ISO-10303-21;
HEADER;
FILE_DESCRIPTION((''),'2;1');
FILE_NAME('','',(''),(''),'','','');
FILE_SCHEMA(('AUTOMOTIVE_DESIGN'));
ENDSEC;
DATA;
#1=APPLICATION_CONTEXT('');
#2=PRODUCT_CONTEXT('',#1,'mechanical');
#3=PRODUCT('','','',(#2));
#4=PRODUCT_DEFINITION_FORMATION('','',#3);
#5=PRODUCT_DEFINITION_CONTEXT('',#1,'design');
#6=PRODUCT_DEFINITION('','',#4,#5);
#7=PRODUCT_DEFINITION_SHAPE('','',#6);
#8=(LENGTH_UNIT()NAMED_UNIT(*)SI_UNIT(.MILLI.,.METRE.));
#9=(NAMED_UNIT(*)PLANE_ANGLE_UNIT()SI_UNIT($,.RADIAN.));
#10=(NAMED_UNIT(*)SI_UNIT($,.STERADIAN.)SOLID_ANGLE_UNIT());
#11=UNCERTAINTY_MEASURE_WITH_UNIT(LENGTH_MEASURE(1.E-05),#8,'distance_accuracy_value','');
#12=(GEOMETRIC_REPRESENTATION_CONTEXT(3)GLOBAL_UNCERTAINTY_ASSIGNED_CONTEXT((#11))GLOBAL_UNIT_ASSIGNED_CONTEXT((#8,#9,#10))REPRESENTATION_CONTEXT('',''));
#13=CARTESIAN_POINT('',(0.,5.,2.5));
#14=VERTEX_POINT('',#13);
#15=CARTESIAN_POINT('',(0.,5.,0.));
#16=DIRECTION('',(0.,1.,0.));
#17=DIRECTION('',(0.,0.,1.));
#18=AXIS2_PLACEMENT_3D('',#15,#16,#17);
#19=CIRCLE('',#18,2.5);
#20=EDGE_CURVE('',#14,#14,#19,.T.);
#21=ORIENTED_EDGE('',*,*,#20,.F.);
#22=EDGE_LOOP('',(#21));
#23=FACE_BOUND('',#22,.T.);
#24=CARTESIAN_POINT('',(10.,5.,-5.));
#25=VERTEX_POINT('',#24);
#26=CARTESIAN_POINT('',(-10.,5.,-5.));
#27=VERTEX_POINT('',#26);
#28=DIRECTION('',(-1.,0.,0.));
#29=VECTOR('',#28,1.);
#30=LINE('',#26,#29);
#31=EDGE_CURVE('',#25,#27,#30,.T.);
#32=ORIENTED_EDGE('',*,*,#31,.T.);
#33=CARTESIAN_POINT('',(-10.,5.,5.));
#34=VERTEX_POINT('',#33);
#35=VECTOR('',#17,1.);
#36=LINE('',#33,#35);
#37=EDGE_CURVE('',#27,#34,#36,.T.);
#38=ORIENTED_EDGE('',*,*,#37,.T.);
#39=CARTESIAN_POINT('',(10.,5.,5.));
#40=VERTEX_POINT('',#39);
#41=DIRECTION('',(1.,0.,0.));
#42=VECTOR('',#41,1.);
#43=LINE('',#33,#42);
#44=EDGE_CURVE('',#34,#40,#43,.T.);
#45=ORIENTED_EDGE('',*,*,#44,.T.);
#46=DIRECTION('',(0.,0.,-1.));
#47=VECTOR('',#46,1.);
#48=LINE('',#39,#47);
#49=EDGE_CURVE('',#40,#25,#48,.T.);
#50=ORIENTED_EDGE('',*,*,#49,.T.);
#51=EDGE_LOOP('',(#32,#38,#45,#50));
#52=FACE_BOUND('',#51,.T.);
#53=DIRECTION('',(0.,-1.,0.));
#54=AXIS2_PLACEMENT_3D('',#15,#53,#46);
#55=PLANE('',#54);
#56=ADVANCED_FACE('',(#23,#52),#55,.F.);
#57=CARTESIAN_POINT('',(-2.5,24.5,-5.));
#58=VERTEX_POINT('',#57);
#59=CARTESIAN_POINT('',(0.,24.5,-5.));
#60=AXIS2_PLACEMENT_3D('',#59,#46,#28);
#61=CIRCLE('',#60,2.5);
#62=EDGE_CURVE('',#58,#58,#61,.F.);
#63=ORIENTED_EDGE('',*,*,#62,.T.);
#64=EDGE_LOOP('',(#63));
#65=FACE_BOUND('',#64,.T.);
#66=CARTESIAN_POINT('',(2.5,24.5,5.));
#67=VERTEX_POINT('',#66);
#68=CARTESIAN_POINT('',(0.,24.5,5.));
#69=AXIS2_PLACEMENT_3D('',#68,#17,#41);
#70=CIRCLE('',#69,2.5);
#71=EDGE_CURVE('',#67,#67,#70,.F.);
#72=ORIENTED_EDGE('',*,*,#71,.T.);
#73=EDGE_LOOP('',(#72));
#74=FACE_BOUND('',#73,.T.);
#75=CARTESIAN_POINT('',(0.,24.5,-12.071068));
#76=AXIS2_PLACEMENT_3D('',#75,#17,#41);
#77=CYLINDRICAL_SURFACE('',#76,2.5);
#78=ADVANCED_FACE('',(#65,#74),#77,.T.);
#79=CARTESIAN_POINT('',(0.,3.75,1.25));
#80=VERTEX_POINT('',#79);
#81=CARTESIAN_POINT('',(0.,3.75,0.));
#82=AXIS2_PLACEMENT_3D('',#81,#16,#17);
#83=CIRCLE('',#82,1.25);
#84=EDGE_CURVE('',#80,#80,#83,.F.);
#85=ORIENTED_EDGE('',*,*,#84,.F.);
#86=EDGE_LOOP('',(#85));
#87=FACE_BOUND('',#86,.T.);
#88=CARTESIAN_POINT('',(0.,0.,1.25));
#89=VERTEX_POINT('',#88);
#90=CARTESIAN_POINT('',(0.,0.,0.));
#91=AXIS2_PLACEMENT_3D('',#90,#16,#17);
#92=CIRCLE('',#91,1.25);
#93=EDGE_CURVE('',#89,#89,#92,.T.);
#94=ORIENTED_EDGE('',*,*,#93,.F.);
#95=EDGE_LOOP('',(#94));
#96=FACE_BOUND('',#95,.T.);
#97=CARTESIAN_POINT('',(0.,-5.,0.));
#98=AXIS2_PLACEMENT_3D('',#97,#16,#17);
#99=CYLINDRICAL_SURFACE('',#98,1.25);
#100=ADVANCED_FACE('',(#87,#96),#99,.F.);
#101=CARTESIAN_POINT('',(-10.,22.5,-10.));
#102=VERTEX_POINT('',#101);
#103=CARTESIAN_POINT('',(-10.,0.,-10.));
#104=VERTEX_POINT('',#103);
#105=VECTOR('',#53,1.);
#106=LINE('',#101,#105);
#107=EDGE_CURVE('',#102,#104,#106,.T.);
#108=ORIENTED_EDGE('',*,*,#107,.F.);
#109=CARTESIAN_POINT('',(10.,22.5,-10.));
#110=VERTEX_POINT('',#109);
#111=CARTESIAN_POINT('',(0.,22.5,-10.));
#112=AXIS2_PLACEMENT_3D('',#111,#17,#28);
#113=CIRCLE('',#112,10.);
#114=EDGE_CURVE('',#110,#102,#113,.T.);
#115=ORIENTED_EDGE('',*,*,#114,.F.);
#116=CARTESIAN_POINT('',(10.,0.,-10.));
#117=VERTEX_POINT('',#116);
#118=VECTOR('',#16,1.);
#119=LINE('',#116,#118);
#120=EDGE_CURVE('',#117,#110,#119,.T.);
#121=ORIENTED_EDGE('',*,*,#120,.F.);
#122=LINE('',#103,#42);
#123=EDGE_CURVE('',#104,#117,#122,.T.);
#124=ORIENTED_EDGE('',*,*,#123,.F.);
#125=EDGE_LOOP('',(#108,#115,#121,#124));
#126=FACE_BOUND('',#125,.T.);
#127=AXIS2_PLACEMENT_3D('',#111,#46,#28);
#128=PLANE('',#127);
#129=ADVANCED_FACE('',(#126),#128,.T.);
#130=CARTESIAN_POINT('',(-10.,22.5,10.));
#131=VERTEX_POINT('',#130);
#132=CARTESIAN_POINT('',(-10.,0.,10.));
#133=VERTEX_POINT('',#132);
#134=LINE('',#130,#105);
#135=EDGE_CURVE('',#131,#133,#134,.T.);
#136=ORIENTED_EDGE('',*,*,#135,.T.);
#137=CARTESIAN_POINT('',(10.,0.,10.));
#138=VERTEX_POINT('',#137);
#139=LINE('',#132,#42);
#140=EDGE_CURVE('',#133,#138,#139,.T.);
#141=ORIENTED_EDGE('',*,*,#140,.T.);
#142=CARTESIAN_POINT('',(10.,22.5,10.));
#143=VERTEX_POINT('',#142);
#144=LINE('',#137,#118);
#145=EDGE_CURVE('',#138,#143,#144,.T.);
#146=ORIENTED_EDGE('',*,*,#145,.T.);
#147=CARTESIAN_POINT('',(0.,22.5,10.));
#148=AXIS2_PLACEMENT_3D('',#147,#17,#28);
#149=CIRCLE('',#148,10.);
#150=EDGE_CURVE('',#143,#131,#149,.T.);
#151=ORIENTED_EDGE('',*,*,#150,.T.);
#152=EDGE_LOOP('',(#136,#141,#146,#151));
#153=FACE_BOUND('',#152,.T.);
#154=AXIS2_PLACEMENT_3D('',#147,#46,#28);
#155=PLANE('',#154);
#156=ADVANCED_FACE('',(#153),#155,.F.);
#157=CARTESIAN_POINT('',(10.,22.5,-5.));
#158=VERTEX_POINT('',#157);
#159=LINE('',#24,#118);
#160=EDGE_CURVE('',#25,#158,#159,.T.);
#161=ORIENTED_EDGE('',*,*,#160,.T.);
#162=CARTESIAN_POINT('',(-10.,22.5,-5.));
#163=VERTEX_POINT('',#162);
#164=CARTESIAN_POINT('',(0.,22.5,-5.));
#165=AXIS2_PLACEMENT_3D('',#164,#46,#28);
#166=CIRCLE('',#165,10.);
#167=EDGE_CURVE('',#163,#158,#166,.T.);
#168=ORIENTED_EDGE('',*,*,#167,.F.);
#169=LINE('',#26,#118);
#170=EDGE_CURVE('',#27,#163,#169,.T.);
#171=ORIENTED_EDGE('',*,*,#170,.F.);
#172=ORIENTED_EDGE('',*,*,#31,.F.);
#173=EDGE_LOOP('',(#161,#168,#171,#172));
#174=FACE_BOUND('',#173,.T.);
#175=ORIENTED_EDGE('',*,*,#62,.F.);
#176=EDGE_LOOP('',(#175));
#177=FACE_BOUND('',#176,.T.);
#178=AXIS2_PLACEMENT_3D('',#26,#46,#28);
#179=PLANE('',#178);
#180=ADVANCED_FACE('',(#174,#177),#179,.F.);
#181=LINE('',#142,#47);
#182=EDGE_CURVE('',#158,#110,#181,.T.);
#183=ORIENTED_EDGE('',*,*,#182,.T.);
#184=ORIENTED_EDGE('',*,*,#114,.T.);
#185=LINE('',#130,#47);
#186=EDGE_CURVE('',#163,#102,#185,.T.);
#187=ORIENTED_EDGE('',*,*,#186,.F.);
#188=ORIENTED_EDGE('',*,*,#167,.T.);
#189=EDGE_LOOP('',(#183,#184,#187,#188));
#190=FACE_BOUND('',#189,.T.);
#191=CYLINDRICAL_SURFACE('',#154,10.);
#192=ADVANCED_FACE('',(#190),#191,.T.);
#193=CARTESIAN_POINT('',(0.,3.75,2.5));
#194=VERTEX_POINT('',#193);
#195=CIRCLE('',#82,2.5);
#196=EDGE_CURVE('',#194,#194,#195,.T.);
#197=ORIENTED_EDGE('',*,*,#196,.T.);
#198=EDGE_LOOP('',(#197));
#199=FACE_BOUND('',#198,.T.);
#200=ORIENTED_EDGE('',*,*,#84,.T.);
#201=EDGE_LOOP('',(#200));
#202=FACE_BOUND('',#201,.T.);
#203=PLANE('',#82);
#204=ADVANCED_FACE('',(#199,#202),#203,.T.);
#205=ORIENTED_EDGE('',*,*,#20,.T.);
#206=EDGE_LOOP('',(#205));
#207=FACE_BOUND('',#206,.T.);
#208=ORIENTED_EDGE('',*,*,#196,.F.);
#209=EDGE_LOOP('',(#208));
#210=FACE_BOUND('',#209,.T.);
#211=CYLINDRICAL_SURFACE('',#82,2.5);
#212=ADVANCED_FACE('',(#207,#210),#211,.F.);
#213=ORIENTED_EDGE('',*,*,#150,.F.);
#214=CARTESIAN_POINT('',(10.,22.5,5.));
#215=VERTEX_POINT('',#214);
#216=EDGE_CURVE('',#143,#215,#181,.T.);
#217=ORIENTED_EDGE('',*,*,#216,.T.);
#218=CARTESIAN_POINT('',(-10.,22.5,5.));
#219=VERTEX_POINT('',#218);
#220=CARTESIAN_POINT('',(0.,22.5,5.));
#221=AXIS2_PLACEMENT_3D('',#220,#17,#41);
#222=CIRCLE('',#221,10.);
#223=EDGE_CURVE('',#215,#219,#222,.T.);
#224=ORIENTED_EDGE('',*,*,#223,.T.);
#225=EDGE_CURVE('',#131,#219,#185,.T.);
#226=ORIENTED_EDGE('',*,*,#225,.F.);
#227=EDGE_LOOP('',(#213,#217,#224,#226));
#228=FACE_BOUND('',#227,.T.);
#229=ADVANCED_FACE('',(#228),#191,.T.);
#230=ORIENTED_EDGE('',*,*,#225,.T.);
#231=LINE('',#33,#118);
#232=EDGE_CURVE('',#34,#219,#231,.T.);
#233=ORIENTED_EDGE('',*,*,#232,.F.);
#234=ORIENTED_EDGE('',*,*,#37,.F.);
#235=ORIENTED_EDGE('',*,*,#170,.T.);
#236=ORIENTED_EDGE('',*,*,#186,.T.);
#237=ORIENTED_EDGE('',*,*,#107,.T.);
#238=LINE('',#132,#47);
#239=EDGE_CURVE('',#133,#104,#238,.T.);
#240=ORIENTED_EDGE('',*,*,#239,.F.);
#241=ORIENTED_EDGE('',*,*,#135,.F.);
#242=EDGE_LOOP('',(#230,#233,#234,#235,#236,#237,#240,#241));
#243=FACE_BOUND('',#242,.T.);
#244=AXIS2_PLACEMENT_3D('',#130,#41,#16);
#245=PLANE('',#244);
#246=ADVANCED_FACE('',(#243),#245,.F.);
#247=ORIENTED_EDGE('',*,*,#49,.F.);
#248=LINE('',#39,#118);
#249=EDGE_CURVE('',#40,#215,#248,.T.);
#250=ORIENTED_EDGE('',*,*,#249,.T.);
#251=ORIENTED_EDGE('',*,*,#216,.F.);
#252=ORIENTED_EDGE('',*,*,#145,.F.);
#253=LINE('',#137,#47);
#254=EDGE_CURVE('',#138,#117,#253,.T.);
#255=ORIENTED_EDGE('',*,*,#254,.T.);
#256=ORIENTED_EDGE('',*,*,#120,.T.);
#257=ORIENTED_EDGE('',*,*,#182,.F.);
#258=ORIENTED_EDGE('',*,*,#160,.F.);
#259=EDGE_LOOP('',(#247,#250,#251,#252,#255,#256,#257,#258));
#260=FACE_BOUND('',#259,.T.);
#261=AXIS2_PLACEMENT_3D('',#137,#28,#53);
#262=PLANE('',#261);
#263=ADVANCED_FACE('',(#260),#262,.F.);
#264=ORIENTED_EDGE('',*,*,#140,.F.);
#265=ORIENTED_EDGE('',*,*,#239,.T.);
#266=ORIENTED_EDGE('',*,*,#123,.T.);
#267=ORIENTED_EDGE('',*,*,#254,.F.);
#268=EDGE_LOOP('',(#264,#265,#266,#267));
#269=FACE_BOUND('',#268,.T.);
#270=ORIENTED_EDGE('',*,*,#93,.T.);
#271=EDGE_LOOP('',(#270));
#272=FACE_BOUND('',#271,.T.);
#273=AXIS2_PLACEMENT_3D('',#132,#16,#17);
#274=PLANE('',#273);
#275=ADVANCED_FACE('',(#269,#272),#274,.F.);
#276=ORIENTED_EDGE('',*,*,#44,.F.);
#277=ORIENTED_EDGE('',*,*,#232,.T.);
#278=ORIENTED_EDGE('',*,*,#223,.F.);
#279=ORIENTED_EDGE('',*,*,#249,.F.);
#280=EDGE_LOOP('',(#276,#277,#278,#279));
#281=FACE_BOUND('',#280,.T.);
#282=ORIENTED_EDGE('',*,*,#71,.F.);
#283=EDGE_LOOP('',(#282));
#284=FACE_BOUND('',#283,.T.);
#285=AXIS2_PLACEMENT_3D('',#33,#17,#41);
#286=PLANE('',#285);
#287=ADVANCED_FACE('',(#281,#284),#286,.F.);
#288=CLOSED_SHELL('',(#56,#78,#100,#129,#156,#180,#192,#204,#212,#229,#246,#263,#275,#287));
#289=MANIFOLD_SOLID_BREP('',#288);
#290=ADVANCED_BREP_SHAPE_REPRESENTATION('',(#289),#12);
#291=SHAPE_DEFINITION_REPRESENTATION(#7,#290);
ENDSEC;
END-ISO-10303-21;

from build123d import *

# Parameters (mm, degrees)
BOSS_EXTRUDE1_DEPTH = 10
SKETCH3_W           = 20
SKETCH3_H           = 10
CUT_EXTRUDE2_DEPTH  = 27.5
SKETCH4_R           = 2.5
BOSS_EXTRUDE2_DEPTH = 10
SKETCH5_R           = 1.25
CUT_EXTRUDE4_DEPTH  = 10
SKETCH6_R           = 2.5
CUT_EXTRUDE5_DEPTH  = 1.25


with BuildPart() as part:
    # Sketch1 → Boss-Extrude1 (new body, symmetric)
    with BuildSketch(Plane.XY):
        with BuildLine():
            Line((-10, 22.5), (-10, 0))
            Line((-10, 0), (10, 0))
            Line((10, 0), (10, 22.5))
            ThreePointArc((10, 22.5), (0, 32.5), (-10, 22.5))
        make_face()
    extrude(amount=BOSS_EXTRUDE1_DEPTH, both=True)

    # Sketch3 → Cut-Extrude2 (cut)
    with BuildSketch(Plane(origin=(0, 32.5, 0), x_dir=(1, 0, 0), z_dir=(0, 1, 0))):
        Rectangle(SKETCH3_W, SKETCH3_H)
    extrude(amount=-CUT_EXTRUDE2_DEPTH, mode=Mode.SUBTRACT)

    # Sketch4 → Boss-Extrude2 (add)
    with BuildSketch(Plane(origin=(0, 0, 5), x_dir=(-1, 0, 0), z_dir=(0, 0, -1))):
        with Locations((0, 24.5)):
            Circle(SKETCH4_R)
    extrude(amount=BOSS_EXTRUDE2_DEPTH)

    # Sketch5 → Cut-Extrude4 (cut)
    with BuildSketch(Plane(origin=(0, 5, 0), x_dir=(1, 0, 0), z_dir=(0, 1, 0))):
        Circle(SKETCH5_R)
    extrude(amount=-CUT_EXTRUDE4_DEPTH, mode=Mode.SUBTRACT)

    # Sketch6 → Cut-Extrude5 (cut)
    with BuildSketch(Plane(origin=(0, 5, 0), x_dir=(1, 0, 0), z_dir=(0, 1, 0))):
        Circle(SKETCH6_R)
    extrude(amount=-CUT_EXTRUDE5_DEPTH, mode=Mode.SUBTRACT)


solid = part.part
